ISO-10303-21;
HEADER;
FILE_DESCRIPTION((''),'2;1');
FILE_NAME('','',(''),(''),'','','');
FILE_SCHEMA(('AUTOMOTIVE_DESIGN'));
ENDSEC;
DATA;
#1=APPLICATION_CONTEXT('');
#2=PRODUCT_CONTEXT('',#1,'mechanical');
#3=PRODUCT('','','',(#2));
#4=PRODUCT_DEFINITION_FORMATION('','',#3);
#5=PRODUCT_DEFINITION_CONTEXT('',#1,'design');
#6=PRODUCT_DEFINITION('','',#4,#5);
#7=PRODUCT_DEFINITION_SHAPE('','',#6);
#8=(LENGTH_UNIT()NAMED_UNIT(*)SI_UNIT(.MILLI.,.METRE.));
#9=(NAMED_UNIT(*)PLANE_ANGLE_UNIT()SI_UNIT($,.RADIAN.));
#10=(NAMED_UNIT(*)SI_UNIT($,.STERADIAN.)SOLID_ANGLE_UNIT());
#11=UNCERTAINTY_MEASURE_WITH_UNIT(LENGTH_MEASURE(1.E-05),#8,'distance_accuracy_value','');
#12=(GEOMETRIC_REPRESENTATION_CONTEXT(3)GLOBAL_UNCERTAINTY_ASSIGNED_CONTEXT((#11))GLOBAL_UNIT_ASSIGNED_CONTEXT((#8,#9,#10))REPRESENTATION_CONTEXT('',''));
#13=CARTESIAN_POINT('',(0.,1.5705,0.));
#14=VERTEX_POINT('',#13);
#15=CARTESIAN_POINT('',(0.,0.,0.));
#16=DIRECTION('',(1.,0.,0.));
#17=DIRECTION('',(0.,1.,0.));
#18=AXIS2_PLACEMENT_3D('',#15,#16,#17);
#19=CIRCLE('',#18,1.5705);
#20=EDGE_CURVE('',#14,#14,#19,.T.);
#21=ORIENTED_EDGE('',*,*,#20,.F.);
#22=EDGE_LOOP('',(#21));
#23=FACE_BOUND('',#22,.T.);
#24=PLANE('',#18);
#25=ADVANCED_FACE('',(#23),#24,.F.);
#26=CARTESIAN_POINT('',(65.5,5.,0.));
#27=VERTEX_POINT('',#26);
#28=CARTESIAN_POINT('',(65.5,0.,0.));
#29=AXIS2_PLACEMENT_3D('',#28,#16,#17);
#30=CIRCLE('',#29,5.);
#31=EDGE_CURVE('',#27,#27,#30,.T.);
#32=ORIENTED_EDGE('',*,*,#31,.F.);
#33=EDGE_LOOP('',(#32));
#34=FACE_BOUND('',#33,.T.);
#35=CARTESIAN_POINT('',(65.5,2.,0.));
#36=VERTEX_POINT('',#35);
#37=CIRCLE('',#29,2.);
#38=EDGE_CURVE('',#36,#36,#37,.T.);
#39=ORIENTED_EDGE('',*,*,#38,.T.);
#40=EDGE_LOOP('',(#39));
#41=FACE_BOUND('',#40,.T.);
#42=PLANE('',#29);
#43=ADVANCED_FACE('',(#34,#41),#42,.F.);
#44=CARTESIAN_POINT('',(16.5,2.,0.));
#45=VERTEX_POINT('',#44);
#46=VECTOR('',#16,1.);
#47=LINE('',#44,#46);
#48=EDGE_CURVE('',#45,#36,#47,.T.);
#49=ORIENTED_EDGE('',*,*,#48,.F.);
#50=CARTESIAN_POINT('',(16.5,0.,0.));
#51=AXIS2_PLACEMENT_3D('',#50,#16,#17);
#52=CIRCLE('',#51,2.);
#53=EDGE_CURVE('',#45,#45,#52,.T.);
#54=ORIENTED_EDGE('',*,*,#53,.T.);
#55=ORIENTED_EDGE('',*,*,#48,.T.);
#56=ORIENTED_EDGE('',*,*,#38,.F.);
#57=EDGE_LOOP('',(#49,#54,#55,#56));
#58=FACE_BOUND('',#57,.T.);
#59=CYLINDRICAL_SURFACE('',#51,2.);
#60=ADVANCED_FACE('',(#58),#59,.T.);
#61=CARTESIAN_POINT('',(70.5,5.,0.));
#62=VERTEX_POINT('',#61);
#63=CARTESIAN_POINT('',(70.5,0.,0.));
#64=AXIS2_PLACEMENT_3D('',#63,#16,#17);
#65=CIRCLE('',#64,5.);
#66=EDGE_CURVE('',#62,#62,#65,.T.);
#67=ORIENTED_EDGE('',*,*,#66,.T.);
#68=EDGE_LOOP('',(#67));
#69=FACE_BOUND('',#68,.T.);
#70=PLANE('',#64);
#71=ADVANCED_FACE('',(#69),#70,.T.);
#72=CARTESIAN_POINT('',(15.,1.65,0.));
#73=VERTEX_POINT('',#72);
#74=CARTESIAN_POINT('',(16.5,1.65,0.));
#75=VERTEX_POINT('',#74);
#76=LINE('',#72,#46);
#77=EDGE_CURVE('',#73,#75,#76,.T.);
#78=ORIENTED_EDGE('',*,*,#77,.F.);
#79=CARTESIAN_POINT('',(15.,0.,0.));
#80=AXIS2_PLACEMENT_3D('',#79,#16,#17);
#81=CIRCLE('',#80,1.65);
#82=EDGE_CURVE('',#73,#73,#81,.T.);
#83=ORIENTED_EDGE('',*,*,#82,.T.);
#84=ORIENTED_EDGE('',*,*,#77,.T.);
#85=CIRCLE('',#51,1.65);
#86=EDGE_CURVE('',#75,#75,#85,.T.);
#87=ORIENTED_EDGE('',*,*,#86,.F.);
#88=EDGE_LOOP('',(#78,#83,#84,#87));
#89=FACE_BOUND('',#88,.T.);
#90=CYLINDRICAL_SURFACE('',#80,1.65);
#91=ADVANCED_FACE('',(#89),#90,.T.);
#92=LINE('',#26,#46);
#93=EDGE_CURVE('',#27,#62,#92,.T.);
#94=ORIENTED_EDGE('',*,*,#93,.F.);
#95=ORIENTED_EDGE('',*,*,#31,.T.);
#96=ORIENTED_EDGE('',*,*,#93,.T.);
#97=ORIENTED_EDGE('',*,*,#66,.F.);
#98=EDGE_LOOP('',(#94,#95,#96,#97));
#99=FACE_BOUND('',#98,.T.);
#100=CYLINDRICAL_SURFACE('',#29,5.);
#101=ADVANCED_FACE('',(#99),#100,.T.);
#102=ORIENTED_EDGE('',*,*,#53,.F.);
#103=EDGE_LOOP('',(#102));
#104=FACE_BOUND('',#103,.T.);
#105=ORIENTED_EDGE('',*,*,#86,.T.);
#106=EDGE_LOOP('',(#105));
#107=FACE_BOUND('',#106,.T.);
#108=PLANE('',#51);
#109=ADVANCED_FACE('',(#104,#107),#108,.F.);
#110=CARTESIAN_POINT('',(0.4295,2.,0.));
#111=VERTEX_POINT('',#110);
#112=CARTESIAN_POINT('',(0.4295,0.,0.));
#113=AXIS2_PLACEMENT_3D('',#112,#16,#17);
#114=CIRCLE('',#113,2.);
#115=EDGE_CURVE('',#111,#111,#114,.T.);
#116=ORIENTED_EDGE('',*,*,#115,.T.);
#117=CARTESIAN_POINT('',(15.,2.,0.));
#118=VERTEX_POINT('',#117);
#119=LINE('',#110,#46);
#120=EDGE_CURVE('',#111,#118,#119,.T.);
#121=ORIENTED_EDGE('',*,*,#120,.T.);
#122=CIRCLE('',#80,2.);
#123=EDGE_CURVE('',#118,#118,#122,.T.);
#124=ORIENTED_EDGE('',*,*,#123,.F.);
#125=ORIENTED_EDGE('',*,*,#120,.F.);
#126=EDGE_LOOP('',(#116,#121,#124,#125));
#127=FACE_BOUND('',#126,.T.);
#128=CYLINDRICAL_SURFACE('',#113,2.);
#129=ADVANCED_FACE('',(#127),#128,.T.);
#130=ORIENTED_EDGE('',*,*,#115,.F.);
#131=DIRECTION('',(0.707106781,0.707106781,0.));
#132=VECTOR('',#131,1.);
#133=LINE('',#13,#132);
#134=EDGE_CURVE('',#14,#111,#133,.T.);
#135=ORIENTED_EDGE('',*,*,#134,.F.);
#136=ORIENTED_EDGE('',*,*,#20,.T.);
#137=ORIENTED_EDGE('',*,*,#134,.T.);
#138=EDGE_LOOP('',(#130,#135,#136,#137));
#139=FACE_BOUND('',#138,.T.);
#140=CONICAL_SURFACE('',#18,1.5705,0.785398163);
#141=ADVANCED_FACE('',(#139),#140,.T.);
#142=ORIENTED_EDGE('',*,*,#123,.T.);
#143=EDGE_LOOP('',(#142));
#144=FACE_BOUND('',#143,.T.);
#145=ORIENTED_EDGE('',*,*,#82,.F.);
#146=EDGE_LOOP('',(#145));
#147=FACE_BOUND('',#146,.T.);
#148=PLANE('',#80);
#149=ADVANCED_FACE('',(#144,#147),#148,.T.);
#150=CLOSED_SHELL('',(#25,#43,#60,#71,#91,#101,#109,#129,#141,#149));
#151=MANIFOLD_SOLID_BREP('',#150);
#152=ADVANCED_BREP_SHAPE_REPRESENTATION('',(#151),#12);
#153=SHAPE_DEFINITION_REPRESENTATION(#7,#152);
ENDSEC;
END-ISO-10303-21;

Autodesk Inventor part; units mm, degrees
sketch "Sketch_2" plane through (0, 0, 0) normal (0, 0, 1) x (1, 0, 0)
  line L0 (70.5, 0) -> (0, 0)
  line L1 (0, 0) -> (0, 1.5705)
  line L2 (0, 1.5705) -> (0.4295, 2)
  line L3 (0.4295, 2) -> (15, 2)
  line L4 (15, 2) -> (15, 1.65)
  line L5 (15, 1.65) -> (16.5, 1.65)
  line L6 (16.5, 1.65) -> (16.5, 2)
  line L7 (16.5, 2) -> (65.5, 2)
  line L8 (65.5, 2) -> (65.5, 5)
  line L9 (65.5, 5) -> (70.5, 5)
  line L10 (70.5, 5) -> (70.5, 0)
  line L11 (70.5, 0) -> (0, 0)
revolve "Revolution1" add sketch "Sketch_2" angle 360 about axis through (70.5, 0, 0) along (1, 0, 0)
thread "Thread1" size "M4x0.7" class "6g" standard "ISO Metric profile" full length
ref_plane "ROD_BA_XY" through (8, 0, 0) normal (-1, 0, 0) x (0, 0, -1)
ref_plane "ROD_BA_YZ" through (8, 0, 0) normal (0, 0, -1) x (0, -1, 0)
ref_plane "ROD_BA_ZX" through (8, 0, 0) normal (0, -1, 0) x (-1, 0, 0)
ref_plane "ROD_BODY_XY" through (28, 0, 0) normal (1, 0, 0) x (0, 0, -1)
ref_plane "ROD_BODY_YZ" through (28, 0, 0) normal (0, 0, -1) x (0, 1, 0)
ref_plane "ROD_BODY_ZX" through (28, 0, 0) normal (0, 1, 0) x (1, 0, 0)
ref_plane "rodnt1_XY" through (7.5, 0, 0) normal (1, 0, 0) x (0, 0, -1)
ref_plane "rodnt1_YZ" through (7.5, 0, 0) normal (0, 0, -1) x (0, 1, 0)
ref_plane "rodnt1_ZX" through (7.5, 0, 0) normal (0, 1, 0) x (1, 0, 0)
properties part number "CJ2D10-25Z_ROD"
